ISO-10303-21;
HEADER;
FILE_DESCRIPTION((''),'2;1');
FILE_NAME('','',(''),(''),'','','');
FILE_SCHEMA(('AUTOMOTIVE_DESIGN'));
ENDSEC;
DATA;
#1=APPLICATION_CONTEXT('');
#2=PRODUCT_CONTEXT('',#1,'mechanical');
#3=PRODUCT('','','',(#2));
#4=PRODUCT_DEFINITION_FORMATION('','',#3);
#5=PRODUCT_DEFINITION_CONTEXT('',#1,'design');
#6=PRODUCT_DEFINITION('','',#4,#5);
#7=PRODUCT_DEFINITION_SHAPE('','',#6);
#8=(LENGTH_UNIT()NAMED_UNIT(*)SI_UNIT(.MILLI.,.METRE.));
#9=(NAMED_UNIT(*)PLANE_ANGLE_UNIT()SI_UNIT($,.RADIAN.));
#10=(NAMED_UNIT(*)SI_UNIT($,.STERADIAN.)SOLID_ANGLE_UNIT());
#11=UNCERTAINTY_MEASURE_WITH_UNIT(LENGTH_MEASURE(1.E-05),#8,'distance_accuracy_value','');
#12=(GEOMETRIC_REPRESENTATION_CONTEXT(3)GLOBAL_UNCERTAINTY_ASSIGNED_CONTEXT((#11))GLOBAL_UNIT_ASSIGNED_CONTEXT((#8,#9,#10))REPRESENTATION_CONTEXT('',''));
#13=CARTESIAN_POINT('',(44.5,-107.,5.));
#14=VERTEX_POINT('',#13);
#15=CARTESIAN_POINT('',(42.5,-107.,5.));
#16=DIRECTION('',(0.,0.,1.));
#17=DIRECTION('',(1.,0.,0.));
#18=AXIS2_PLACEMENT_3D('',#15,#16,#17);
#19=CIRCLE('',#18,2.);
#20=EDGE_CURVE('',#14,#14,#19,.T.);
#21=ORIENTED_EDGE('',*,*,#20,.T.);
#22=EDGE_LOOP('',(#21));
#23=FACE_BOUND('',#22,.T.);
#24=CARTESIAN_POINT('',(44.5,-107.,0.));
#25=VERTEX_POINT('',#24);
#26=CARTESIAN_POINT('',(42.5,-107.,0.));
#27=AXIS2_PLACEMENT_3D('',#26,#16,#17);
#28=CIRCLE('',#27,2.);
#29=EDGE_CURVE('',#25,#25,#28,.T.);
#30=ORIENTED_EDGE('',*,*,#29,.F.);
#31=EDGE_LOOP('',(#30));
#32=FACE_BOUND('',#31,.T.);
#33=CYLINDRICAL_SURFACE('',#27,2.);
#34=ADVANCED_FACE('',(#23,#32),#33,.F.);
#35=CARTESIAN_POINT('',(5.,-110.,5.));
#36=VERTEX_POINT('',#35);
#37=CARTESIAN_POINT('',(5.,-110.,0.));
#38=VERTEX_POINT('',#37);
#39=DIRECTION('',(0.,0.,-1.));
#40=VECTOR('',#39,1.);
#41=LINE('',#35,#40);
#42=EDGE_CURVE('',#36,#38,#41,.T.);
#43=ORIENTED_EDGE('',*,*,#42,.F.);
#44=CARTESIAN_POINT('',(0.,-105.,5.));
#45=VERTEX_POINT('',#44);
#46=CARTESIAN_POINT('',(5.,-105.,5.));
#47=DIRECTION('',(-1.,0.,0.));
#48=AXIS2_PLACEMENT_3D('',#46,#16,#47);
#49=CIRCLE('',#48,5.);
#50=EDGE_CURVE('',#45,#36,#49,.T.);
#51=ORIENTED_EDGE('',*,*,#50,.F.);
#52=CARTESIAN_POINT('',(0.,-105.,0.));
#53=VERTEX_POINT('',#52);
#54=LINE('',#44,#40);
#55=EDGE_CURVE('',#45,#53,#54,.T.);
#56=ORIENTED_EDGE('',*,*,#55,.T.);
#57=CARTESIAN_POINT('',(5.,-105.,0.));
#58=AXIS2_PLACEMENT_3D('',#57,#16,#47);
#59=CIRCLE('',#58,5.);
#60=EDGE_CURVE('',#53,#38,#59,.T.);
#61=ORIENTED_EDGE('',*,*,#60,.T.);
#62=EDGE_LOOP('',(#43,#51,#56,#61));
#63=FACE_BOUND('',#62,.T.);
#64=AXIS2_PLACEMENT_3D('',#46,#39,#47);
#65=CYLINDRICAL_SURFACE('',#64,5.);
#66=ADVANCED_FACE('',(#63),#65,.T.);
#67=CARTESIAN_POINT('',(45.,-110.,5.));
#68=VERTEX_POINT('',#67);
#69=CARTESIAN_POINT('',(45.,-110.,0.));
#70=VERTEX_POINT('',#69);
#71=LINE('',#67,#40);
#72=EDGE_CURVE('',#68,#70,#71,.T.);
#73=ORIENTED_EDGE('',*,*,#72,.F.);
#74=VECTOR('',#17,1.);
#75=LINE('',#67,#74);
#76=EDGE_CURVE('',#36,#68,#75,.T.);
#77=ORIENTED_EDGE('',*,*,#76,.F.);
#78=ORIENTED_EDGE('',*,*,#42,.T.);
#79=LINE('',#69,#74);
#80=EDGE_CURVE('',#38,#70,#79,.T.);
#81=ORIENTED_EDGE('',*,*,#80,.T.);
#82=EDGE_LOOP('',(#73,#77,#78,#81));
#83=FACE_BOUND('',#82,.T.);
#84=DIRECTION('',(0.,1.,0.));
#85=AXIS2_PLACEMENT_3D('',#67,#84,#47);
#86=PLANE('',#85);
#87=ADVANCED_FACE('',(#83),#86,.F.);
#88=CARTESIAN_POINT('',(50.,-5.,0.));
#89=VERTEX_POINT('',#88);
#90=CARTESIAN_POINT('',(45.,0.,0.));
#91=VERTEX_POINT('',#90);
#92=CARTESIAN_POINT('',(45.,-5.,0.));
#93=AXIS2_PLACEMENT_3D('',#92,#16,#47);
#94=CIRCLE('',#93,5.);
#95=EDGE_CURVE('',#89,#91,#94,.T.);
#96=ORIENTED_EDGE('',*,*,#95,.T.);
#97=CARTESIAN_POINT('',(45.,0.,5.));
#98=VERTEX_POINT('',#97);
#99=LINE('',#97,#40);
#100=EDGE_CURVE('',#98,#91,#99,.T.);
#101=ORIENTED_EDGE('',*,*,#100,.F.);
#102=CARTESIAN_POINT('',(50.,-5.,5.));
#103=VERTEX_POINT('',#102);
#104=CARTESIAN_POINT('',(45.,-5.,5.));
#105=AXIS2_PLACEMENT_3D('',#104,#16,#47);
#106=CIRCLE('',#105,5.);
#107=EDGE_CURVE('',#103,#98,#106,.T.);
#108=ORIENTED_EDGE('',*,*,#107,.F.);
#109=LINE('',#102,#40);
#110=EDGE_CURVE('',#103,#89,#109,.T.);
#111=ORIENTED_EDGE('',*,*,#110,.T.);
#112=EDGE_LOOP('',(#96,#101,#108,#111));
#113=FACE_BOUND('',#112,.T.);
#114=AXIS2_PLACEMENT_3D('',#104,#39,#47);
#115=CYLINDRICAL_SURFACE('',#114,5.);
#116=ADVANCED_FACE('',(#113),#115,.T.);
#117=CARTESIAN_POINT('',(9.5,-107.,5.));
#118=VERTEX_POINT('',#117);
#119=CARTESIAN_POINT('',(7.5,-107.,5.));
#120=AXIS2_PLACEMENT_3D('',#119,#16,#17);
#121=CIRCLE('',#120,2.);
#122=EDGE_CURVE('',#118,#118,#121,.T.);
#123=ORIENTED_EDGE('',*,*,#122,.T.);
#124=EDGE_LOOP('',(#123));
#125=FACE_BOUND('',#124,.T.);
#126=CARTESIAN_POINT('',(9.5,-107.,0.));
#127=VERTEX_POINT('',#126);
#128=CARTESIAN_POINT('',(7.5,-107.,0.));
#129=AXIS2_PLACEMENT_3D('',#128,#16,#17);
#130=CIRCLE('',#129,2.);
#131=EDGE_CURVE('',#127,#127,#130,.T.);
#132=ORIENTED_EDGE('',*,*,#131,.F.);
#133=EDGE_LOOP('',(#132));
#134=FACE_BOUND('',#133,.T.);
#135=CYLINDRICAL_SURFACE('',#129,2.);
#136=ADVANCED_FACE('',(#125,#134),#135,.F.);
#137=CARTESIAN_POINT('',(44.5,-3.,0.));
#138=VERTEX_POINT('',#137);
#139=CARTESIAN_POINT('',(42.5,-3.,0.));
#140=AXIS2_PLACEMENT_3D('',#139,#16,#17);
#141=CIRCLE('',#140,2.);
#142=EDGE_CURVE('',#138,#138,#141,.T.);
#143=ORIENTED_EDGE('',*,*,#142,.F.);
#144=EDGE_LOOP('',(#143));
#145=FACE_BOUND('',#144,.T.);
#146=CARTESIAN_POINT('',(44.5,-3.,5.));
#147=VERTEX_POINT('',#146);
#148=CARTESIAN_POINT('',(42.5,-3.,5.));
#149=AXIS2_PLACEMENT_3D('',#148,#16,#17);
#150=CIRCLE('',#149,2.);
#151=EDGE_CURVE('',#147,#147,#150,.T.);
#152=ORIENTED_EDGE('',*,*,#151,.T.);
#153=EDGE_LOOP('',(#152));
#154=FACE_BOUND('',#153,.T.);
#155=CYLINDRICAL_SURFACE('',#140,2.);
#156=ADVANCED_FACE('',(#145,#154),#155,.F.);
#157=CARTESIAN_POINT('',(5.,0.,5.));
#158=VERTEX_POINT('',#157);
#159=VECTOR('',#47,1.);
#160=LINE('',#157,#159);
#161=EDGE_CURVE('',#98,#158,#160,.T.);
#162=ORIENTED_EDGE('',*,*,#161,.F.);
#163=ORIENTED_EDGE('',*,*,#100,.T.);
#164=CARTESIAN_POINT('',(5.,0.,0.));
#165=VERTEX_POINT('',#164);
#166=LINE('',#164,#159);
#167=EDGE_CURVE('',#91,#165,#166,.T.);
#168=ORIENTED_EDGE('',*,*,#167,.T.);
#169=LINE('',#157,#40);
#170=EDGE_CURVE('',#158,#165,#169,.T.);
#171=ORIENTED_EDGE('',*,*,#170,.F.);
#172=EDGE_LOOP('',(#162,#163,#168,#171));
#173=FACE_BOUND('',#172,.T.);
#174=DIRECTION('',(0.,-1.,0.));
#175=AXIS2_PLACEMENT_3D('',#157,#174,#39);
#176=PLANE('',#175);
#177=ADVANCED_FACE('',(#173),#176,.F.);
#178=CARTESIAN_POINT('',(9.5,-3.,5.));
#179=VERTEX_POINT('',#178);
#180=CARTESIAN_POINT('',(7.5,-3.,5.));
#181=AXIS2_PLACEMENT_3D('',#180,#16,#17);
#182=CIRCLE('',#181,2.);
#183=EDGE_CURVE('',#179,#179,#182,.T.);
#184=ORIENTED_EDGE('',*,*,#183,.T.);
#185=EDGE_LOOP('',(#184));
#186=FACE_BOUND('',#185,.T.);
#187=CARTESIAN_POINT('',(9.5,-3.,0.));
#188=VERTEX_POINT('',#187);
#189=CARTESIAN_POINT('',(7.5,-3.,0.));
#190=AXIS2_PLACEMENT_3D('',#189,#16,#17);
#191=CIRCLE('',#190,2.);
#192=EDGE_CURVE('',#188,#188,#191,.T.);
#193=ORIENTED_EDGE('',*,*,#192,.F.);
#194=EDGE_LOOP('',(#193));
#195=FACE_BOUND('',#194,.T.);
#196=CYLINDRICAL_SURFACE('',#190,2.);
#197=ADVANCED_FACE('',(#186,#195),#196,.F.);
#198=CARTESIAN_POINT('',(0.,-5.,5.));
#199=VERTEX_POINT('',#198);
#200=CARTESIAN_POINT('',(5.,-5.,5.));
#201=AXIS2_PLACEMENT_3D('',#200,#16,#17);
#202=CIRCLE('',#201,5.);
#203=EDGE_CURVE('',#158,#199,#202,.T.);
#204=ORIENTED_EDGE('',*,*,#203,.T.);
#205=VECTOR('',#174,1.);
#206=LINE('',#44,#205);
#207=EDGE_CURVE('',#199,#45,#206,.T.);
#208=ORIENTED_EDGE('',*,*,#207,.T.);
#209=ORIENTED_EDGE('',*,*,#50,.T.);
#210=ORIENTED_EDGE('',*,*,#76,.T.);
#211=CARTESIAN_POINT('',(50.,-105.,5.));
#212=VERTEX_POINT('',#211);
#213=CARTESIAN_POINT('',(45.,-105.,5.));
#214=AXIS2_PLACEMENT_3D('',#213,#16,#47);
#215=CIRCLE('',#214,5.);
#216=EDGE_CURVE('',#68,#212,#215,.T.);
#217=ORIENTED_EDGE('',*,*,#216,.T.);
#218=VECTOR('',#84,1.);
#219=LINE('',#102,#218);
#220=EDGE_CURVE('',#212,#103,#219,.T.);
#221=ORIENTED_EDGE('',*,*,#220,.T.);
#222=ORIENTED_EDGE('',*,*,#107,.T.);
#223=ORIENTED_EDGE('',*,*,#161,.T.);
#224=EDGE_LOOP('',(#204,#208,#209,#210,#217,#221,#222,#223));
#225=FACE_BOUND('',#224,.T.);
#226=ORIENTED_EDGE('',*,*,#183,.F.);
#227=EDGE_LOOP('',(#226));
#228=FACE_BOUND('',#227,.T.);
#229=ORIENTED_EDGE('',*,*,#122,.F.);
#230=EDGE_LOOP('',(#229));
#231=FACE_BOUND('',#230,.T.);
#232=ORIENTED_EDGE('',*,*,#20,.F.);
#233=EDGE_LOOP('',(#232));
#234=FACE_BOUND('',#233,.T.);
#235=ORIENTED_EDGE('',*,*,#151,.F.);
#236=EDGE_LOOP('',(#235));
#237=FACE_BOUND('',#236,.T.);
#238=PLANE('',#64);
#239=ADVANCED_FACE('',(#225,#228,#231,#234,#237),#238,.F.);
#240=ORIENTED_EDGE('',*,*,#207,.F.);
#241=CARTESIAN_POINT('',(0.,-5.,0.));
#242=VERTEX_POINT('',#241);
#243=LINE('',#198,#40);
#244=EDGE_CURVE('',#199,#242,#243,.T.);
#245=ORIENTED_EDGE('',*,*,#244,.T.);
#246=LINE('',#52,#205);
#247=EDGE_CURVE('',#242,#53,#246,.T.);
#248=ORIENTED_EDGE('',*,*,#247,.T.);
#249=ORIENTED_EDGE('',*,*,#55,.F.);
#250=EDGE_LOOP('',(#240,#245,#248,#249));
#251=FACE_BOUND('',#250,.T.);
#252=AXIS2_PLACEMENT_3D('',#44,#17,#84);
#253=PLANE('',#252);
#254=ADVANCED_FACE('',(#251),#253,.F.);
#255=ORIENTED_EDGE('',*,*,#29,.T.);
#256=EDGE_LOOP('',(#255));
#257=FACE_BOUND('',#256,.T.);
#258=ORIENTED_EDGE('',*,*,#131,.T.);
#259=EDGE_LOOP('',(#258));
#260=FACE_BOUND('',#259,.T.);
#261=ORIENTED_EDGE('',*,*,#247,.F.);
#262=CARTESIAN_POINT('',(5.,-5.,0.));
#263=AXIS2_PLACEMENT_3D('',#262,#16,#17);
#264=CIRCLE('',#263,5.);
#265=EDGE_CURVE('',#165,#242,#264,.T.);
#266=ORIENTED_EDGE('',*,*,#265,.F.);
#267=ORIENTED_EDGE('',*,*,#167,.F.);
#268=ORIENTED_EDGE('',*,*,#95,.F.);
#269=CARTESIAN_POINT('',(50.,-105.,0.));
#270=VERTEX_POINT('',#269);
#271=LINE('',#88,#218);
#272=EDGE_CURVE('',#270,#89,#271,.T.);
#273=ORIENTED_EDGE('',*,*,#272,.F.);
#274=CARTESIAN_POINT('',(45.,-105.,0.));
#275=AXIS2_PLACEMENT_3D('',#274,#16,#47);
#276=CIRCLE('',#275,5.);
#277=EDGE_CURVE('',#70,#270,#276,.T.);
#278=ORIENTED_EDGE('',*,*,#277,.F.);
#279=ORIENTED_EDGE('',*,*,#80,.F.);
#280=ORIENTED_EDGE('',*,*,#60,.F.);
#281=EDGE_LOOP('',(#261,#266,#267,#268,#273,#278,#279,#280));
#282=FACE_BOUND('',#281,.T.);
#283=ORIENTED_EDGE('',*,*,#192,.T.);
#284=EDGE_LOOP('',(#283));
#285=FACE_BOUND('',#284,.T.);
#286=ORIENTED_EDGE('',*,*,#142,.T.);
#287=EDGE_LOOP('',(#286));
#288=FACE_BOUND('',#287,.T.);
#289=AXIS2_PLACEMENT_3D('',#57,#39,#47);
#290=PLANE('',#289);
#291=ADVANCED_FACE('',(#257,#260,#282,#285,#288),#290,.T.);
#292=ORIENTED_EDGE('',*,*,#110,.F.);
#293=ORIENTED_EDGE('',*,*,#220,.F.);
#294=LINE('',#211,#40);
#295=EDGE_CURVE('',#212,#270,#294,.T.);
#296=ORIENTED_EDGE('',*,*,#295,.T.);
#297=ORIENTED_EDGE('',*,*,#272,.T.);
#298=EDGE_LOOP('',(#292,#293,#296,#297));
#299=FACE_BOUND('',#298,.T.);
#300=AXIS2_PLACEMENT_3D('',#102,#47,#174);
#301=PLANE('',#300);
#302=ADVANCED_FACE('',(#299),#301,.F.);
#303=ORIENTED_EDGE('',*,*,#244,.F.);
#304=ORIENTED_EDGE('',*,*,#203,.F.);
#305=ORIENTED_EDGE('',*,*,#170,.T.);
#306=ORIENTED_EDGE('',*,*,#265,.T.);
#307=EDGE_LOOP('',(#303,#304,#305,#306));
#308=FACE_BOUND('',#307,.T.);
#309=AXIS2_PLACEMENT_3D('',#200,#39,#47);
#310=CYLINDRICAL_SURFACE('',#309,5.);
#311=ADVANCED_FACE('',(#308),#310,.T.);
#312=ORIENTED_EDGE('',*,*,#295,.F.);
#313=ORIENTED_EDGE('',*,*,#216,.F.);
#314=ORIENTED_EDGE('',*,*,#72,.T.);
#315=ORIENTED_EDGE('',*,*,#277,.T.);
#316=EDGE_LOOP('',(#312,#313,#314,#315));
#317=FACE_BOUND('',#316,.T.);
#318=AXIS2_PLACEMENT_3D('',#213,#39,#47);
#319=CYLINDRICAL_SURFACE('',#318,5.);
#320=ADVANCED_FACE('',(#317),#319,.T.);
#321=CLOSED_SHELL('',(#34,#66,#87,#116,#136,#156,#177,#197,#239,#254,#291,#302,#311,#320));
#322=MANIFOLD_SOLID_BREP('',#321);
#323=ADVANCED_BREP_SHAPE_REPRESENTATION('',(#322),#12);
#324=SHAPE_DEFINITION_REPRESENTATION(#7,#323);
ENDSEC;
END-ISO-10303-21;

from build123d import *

# Parameters (mm, degrees)
Y_KSEKLIK_EKSTR_ZYON1_DEPTH = 5
IZIM2_R                     = 2
KES_EKSTR_ZYON1_DEPTH       = 5


with BuildPart() as part:
    # Çizim1 → Yükseklik-Ekstrüzyon1 (new body)
    with BuildSketch(Plane.XY):
        with BuildLine():
            Line((5, 0), (45, 0))
            ThreePointArc((45, 0), (48.535533906, -1.464466094), (50, -5))
            Line((50, -5), (50, -105))
            ThreePointArc((50, -105), (48.535533906, -108.535533906), (45, -110))
            Line((45, -110), (5, -110))
            ThreePointArc((5, -110), (1.464466094, -108.535533906), (0, -105))
            Line((0, -105), (0, -5))
            ThreePointArc((0, -5), (1.464466094, -1.464466094), (5, 0))
        make_face()
    extrude(amount=Y_KSEKLIK_EKSTR_ZYON1_DEPTH)

    # Çizim2 → Kes-Ekstrüzyon1 (cut)
    with BuildSketch(Plane.XY.offset(5)):
        with Locations((7.5, -107)):
            Circle(IZIM2_R)
        with Locations((42.5, -107)):
            Circle(IZIM2_R)
        with Locations((7.5, -3)):
            Circle(IZIM2_R)
        with Locations((42.5, -3)):
            Circle(IZIM2_R)
    extrude(amount=-KES_EKSTR_ZYON1_DEPTH, mode=Mode.SUBTRACT)


solid = part.part
